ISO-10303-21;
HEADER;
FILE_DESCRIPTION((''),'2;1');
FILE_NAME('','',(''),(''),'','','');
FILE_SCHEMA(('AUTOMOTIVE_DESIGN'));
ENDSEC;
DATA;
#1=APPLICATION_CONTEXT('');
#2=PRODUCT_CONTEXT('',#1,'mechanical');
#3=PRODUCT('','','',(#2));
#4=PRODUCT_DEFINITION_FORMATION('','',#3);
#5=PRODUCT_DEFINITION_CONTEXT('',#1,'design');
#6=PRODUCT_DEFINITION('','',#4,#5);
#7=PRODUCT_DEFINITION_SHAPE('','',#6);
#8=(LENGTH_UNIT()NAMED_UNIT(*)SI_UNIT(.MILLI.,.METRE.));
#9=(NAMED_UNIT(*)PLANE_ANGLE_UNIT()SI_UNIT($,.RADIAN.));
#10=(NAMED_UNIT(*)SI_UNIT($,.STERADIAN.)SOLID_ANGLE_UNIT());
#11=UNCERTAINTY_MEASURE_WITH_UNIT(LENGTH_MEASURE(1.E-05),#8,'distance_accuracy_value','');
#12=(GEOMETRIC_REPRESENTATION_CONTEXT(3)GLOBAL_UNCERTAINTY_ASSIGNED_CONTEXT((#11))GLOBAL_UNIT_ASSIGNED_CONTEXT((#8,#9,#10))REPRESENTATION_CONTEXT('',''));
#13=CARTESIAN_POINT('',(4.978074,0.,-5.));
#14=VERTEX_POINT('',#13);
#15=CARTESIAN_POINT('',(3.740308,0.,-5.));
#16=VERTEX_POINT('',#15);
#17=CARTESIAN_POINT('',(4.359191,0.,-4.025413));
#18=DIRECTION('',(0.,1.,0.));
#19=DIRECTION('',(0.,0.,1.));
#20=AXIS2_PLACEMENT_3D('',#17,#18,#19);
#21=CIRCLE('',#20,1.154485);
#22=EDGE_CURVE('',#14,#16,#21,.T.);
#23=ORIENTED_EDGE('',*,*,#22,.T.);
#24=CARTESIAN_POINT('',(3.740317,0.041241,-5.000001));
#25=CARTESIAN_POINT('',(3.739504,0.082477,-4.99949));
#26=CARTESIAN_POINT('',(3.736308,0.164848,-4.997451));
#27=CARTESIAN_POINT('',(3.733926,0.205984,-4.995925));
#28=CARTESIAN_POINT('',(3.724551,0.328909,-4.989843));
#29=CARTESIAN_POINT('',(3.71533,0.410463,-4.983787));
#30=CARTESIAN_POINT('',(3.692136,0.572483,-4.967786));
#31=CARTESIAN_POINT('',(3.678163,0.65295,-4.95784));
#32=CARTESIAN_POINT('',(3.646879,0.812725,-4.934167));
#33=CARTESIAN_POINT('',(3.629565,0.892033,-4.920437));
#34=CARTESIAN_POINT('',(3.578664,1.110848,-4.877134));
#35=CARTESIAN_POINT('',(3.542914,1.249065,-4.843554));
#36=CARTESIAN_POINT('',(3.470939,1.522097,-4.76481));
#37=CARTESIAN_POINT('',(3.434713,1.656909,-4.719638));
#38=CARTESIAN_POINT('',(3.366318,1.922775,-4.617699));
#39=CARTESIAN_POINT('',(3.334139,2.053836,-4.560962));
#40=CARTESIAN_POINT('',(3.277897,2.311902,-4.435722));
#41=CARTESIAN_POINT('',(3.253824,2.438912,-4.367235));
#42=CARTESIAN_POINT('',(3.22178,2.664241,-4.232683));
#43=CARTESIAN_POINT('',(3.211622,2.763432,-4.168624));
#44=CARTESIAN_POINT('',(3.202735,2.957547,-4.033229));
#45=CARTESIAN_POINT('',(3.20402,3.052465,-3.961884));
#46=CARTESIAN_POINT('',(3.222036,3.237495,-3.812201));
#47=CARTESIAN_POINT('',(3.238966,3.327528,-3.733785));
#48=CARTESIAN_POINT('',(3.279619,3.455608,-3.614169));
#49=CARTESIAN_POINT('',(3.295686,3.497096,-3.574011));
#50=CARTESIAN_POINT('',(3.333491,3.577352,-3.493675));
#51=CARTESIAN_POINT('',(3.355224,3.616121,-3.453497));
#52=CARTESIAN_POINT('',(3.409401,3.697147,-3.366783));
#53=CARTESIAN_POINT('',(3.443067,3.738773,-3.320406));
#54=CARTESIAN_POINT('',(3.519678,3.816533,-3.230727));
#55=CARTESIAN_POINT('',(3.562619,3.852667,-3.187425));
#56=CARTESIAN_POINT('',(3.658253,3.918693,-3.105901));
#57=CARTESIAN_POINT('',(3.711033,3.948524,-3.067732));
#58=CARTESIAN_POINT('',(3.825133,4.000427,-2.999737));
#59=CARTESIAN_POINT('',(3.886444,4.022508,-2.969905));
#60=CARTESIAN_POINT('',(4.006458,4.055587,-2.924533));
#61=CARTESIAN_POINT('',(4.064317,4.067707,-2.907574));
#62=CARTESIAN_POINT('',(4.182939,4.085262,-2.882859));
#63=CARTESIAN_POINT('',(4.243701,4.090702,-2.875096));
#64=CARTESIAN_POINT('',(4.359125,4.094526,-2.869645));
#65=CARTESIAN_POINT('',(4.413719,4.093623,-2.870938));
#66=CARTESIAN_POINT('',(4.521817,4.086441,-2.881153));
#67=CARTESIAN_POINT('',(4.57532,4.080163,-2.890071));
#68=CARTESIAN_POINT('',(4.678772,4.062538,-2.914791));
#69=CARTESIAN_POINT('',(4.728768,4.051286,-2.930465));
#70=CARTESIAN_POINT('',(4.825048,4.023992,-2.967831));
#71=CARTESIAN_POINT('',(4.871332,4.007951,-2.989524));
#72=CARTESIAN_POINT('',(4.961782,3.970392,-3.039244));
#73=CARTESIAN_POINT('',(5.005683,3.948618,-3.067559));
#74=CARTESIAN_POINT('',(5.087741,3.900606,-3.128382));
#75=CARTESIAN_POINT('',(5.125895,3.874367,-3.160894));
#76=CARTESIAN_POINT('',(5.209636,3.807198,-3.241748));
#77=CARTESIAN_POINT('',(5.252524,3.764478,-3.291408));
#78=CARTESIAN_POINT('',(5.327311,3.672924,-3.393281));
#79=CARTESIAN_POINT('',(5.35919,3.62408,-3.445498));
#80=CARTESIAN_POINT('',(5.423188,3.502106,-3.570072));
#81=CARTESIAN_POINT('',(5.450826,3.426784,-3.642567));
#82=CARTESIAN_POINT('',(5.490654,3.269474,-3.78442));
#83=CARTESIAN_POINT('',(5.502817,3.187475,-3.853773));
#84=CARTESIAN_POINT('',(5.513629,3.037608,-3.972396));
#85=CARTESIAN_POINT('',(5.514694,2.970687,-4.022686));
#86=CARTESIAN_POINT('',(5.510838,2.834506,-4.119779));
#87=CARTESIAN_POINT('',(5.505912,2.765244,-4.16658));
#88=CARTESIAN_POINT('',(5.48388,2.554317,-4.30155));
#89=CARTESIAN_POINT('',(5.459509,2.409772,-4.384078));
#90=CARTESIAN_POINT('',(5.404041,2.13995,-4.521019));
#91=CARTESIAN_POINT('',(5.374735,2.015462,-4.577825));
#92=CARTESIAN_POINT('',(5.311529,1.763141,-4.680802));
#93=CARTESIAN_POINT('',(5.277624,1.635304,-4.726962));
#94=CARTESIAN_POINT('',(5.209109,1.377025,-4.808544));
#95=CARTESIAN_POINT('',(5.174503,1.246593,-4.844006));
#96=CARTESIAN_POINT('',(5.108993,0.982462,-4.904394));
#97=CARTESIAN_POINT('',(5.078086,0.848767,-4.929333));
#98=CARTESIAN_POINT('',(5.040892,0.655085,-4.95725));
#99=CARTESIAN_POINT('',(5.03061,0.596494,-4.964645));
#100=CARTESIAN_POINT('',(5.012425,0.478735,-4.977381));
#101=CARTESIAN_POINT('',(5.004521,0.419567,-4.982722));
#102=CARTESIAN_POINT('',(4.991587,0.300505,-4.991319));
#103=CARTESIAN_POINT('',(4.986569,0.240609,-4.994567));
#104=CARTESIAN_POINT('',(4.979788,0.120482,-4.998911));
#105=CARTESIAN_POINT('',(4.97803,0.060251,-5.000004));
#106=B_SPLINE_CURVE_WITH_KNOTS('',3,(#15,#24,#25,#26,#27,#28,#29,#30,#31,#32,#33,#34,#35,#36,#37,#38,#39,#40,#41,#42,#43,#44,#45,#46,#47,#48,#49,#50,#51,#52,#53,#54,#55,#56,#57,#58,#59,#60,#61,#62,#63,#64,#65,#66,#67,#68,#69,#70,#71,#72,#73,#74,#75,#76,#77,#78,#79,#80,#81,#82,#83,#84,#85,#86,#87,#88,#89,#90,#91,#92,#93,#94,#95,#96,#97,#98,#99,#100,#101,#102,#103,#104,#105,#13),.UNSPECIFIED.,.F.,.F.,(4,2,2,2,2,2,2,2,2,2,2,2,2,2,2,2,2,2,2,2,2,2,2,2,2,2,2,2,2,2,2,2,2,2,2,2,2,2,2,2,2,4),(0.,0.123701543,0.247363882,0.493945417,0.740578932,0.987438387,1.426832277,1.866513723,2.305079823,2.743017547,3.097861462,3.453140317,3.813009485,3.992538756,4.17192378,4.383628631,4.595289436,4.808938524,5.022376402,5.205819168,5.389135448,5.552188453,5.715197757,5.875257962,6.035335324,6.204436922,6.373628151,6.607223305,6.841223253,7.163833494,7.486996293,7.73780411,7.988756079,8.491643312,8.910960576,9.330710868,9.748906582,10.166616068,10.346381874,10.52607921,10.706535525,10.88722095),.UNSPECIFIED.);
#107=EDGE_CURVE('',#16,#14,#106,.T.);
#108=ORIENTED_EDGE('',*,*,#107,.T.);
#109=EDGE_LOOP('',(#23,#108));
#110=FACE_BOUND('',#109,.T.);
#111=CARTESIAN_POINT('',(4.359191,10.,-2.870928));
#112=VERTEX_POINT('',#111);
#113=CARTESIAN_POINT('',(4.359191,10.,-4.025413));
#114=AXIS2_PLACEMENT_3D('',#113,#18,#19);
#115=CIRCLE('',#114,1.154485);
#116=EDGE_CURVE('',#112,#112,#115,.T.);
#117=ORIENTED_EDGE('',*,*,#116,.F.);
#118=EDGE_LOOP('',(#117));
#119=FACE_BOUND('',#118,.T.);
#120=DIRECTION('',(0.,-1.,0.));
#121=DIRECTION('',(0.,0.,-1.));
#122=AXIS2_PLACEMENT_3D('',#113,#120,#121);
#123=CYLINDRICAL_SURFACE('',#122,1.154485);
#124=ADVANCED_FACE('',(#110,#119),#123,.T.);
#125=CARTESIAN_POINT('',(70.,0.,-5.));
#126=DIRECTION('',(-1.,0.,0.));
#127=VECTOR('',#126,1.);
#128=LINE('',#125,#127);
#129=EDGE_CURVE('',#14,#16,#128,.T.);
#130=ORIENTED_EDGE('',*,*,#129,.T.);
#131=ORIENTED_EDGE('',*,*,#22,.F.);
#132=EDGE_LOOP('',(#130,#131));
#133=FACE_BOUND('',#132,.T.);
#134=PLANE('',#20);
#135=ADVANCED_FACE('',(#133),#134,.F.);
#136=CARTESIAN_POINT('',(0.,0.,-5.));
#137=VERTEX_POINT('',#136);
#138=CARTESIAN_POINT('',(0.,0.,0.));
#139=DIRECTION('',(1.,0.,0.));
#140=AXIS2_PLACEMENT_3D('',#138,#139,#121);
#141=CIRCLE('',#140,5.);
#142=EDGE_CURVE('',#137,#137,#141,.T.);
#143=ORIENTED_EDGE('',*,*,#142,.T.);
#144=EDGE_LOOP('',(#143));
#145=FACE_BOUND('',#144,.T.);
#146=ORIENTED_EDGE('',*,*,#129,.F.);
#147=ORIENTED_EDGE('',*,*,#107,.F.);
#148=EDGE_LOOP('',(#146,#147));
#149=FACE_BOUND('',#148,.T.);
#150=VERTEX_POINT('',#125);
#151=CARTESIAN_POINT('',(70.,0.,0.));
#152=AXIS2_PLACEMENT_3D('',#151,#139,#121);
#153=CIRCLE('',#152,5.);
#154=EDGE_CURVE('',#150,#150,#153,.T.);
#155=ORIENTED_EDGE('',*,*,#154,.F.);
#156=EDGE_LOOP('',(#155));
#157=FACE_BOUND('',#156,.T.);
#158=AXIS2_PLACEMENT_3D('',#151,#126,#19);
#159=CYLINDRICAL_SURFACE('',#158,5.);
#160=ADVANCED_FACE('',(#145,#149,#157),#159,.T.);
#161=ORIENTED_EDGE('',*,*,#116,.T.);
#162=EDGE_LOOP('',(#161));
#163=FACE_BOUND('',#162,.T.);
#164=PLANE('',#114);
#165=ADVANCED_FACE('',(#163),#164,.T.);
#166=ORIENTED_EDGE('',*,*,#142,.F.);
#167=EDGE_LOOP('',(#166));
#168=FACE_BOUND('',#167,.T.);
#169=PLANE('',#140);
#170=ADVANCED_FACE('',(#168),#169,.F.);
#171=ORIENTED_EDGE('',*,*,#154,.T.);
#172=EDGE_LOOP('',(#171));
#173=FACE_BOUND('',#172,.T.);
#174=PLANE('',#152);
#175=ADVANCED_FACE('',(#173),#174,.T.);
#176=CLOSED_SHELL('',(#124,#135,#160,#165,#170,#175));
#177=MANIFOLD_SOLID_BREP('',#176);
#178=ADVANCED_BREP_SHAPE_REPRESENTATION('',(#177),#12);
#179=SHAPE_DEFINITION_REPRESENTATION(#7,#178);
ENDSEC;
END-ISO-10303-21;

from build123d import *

# Parameters (mm, degrees)
SKETCH1_R           = 5
BOSS_EXTRUDE1_DEPTH = 70
SKETCH2_R           = 1.154484792
BOSS_EXTRUDE2_DEPTH = 10


with BuildPart() as part:
    # Sketch1 → Boss-Extrude1 (new body)
    with BuildSketch(Plane(origin=(0, 0, 0), x_dir=(0, 0, -1), z_dir=(1, 0, 0))):
        Circle(SKETCH1_R)
    extrude(amount=BOSS_EXTRUDE1_DEPTH)

    # Sketch2 → Boss-Extrude2 (add)
    with BuildSketch(Plane(origin=(0, 0, 0), x_dir=(1, 0, 0), z_dir=(0, 1, 0))):
        with Locations((4.359190806, 4.025413268)):
            Circle(SKETCH2_R)
    extrude(amount=BOSS_EXTRUDE2_DEPTH)


solid = part.part
